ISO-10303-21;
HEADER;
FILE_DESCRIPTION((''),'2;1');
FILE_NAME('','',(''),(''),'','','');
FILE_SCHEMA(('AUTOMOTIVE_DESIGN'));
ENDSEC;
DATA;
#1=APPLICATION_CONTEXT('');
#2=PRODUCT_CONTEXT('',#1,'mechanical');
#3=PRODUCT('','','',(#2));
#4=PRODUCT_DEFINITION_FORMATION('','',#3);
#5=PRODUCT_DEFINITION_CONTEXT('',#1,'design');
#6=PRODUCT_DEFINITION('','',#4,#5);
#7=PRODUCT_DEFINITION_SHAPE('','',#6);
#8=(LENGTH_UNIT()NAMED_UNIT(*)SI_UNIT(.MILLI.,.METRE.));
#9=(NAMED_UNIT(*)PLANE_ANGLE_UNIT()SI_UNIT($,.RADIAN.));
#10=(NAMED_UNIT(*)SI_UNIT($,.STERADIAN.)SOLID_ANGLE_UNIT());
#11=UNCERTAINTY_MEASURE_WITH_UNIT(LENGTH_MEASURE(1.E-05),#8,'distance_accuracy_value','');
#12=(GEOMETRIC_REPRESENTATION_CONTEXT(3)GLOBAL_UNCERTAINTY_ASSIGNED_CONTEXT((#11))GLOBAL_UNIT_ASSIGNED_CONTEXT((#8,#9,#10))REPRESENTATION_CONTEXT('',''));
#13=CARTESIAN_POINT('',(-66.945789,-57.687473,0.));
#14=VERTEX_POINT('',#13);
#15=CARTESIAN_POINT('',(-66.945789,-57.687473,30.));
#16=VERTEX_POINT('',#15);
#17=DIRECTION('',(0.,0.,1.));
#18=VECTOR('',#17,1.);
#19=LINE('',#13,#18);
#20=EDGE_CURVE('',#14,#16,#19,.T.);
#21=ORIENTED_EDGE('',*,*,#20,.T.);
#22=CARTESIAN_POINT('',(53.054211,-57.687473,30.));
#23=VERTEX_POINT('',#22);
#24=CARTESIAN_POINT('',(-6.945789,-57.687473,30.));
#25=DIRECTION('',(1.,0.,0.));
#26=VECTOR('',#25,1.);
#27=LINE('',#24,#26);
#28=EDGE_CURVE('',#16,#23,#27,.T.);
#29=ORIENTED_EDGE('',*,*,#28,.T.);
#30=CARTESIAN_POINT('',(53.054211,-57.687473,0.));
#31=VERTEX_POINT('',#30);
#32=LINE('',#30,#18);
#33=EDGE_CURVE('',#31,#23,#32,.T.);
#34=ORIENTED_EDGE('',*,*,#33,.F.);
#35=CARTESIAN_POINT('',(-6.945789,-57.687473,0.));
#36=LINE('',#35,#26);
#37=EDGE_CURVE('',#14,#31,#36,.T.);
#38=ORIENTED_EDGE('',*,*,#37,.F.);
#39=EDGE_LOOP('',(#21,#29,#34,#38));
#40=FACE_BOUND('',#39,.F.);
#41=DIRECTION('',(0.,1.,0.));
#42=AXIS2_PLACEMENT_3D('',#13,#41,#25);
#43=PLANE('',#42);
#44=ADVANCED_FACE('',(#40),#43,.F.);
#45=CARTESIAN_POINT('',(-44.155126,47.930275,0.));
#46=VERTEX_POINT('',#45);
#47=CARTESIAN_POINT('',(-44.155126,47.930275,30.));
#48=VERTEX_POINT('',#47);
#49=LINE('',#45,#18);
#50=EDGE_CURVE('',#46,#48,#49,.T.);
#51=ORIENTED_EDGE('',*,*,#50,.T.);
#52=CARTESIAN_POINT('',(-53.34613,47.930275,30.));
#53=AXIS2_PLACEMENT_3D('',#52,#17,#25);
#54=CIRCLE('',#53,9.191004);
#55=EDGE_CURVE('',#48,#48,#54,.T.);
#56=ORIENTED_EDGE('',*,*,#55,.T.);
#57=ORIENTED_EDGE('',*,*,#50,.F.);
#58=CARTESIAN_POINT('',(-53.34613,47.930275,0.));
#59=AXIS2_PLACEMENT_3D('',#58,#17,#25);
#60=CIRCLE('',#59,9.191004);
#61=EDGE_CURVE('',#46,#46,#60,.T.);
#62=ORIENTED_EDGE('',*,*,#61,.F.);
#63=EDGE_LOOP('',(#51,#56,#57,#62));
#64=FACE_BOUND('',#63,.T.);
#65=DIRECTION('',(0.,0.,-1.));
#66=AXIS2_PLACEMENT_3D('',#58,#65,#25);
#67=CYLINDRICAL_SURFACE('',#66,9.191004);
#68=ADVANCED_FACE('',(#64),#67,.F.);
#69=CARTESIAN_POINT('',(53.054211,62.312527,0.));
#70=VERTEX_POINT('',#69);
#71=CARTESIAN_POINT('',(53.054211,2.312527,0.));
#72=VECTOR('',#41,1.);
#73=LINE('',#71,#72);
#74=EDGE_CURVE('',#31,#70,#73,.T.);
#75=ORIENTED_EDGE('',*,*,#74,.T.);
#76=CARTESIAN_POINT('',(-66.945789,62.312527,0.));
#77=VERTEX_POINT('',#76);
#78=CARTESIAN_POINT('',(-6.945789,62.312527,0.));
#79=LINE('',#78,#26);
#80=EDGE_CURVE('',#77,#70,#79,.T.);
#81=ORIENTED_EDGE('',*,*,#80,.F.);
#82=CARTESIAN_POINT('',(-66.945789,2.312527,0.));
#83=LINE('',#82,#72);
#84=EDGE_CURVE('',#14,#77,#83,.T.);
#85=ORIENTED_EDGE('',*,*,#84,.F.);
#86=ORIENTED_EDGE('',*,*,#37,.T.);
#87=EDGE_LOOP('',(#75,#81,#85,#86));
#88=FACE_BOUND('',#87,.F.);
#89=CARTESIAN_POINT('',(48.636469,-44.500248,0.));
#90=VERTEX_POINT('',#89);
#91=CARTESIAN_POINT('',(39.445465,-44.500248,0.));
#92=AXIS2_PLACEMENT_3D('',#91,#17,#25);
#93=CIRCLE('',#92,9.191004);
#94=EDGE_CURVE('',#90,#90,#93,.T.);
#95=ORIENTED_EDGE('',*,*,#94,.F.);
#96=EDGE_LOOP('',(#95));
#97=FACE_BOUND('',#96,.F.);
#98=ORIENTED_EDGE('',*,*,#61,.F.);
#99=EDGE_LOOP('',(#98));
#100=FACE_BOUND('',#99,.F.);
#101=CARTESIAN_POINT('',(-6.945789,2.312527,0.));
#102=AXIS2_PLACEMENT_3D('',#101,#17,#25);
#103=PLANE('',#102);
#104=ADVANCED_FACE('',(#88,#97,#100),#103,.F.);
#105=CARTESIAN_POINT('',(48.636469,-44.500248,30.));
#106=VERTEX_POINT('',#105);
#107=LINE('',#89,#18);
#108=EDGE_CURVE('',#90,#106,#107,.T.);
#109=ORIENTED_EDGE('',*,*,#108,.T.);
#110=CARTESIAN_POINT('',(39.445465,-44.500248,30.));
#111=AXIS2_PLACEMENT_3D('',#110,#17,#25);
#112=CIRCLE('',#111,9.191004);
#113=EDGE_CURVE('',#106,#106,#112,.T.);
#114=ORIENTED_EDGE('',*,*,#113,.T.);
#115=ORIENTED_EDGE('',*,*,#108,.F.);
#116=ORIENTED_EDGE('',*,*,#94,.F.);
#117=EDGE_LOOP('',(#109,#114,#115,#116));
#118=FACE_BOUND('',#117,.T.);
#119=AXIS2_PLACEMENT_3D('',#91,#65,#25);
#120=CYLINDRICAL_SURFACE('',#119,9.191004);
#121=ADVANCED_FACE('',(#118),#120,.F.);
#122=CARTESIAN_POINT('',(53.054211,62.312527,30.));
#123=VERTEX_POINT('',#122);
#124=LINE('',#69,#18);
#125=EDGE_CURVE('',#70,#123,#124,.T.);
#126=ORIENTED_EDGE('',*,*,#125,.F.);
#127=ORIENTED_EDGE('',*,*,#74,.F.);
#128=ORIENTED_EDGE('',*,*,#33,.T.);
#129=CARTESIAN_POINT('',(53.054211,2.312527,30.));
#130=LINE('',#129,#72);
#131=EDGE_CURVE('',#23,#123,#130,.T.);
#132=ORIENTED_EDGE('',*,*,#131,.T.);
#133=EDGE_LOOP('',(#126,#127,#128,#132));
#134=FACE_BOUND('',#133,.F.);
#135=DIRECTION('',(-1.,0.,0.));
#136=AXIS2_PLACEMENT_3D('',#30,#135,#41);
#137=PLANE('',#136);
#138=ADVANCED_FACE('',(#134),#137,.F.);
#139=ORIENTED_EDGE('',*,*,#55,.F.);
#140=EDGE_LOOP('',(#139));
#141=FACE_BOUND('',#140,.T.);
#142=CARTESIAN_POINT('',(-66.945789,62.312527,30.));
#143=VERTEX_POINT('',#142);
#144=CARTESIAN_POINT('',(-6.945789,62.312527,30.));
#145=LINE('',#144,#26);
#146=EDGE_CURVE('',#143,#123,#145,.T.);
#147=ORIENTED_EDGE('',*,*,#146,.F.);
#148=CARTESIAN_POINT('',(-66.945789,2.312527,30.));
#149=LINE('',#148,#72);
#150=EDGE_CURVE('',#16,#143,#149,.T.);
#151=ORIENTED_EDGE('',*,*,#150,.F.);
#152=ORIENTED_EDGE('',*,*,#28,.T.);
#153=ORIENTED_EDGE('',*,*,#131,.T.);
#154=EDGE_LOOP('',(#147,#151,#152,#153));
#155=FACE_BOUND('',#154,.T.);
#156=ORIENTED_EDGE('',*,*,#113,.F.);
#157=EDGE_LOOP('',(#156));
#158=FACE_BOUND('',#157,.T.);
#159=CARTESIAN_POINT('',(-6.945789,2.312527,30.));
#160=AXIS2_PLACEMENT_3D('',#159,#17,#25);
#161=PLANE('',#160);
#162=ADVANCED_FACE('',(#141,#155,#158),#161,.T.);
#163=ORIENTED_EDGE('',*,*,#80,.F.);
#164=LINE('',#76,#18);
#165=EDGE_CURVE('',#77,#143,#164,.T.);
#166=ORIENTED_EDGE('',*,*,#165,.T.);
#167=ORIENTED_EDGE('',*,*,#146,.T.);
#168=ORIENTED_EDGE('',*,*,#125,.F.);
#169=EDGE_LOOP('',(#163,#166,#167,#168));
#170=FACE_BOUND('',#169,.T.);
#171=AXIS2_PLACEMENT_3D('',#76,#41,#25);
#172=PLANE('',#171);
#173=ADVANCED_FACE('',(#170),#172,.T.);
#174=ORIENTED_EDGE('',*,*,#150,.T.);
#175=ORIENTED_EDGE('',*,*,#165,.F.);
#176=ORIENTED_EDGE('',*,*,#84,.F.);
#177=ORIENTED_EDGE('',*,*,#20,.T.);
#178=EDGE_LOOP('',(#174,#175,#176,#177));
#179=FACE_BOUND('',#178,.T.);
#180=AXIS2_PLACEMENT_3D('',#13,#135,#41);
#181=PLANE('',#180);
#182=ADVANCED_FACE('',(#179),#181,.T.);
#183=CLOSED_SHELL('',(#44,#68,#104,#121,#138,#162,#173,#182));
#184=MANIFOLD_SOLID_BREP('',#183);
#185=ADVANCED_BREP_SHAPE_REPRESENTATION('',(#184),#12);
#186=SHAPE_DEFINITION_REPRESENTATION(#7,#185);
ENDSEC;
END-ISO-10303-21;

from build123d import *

# Parameters (mm, degrees)
SKETCH_W         = 120
SKETCH_H         = 120
SKETCH_R         = 9.191004
EXTRUDE001_DEPTH = 30


with BuildPart() as part:
    # Sketch → Extrude001 (new body)
    with BuildSketch(Plane.XY):
        with Locations((-6.945789, 2.312527)):
            Rectangle(SKETCH_W, SKETCH_H)
        with Locations((-53.34613, 47.930275)):
            Circle(SKETCH_R, mode=Mode.SUBTRACT)
        with Locations((39.445465, -44.500248)):
            Circle(SKETCH_R, mode=Mode.SUBTRACT)
    extrude(amount=EXTRUDE001_DEPTH)


solid = part.part
